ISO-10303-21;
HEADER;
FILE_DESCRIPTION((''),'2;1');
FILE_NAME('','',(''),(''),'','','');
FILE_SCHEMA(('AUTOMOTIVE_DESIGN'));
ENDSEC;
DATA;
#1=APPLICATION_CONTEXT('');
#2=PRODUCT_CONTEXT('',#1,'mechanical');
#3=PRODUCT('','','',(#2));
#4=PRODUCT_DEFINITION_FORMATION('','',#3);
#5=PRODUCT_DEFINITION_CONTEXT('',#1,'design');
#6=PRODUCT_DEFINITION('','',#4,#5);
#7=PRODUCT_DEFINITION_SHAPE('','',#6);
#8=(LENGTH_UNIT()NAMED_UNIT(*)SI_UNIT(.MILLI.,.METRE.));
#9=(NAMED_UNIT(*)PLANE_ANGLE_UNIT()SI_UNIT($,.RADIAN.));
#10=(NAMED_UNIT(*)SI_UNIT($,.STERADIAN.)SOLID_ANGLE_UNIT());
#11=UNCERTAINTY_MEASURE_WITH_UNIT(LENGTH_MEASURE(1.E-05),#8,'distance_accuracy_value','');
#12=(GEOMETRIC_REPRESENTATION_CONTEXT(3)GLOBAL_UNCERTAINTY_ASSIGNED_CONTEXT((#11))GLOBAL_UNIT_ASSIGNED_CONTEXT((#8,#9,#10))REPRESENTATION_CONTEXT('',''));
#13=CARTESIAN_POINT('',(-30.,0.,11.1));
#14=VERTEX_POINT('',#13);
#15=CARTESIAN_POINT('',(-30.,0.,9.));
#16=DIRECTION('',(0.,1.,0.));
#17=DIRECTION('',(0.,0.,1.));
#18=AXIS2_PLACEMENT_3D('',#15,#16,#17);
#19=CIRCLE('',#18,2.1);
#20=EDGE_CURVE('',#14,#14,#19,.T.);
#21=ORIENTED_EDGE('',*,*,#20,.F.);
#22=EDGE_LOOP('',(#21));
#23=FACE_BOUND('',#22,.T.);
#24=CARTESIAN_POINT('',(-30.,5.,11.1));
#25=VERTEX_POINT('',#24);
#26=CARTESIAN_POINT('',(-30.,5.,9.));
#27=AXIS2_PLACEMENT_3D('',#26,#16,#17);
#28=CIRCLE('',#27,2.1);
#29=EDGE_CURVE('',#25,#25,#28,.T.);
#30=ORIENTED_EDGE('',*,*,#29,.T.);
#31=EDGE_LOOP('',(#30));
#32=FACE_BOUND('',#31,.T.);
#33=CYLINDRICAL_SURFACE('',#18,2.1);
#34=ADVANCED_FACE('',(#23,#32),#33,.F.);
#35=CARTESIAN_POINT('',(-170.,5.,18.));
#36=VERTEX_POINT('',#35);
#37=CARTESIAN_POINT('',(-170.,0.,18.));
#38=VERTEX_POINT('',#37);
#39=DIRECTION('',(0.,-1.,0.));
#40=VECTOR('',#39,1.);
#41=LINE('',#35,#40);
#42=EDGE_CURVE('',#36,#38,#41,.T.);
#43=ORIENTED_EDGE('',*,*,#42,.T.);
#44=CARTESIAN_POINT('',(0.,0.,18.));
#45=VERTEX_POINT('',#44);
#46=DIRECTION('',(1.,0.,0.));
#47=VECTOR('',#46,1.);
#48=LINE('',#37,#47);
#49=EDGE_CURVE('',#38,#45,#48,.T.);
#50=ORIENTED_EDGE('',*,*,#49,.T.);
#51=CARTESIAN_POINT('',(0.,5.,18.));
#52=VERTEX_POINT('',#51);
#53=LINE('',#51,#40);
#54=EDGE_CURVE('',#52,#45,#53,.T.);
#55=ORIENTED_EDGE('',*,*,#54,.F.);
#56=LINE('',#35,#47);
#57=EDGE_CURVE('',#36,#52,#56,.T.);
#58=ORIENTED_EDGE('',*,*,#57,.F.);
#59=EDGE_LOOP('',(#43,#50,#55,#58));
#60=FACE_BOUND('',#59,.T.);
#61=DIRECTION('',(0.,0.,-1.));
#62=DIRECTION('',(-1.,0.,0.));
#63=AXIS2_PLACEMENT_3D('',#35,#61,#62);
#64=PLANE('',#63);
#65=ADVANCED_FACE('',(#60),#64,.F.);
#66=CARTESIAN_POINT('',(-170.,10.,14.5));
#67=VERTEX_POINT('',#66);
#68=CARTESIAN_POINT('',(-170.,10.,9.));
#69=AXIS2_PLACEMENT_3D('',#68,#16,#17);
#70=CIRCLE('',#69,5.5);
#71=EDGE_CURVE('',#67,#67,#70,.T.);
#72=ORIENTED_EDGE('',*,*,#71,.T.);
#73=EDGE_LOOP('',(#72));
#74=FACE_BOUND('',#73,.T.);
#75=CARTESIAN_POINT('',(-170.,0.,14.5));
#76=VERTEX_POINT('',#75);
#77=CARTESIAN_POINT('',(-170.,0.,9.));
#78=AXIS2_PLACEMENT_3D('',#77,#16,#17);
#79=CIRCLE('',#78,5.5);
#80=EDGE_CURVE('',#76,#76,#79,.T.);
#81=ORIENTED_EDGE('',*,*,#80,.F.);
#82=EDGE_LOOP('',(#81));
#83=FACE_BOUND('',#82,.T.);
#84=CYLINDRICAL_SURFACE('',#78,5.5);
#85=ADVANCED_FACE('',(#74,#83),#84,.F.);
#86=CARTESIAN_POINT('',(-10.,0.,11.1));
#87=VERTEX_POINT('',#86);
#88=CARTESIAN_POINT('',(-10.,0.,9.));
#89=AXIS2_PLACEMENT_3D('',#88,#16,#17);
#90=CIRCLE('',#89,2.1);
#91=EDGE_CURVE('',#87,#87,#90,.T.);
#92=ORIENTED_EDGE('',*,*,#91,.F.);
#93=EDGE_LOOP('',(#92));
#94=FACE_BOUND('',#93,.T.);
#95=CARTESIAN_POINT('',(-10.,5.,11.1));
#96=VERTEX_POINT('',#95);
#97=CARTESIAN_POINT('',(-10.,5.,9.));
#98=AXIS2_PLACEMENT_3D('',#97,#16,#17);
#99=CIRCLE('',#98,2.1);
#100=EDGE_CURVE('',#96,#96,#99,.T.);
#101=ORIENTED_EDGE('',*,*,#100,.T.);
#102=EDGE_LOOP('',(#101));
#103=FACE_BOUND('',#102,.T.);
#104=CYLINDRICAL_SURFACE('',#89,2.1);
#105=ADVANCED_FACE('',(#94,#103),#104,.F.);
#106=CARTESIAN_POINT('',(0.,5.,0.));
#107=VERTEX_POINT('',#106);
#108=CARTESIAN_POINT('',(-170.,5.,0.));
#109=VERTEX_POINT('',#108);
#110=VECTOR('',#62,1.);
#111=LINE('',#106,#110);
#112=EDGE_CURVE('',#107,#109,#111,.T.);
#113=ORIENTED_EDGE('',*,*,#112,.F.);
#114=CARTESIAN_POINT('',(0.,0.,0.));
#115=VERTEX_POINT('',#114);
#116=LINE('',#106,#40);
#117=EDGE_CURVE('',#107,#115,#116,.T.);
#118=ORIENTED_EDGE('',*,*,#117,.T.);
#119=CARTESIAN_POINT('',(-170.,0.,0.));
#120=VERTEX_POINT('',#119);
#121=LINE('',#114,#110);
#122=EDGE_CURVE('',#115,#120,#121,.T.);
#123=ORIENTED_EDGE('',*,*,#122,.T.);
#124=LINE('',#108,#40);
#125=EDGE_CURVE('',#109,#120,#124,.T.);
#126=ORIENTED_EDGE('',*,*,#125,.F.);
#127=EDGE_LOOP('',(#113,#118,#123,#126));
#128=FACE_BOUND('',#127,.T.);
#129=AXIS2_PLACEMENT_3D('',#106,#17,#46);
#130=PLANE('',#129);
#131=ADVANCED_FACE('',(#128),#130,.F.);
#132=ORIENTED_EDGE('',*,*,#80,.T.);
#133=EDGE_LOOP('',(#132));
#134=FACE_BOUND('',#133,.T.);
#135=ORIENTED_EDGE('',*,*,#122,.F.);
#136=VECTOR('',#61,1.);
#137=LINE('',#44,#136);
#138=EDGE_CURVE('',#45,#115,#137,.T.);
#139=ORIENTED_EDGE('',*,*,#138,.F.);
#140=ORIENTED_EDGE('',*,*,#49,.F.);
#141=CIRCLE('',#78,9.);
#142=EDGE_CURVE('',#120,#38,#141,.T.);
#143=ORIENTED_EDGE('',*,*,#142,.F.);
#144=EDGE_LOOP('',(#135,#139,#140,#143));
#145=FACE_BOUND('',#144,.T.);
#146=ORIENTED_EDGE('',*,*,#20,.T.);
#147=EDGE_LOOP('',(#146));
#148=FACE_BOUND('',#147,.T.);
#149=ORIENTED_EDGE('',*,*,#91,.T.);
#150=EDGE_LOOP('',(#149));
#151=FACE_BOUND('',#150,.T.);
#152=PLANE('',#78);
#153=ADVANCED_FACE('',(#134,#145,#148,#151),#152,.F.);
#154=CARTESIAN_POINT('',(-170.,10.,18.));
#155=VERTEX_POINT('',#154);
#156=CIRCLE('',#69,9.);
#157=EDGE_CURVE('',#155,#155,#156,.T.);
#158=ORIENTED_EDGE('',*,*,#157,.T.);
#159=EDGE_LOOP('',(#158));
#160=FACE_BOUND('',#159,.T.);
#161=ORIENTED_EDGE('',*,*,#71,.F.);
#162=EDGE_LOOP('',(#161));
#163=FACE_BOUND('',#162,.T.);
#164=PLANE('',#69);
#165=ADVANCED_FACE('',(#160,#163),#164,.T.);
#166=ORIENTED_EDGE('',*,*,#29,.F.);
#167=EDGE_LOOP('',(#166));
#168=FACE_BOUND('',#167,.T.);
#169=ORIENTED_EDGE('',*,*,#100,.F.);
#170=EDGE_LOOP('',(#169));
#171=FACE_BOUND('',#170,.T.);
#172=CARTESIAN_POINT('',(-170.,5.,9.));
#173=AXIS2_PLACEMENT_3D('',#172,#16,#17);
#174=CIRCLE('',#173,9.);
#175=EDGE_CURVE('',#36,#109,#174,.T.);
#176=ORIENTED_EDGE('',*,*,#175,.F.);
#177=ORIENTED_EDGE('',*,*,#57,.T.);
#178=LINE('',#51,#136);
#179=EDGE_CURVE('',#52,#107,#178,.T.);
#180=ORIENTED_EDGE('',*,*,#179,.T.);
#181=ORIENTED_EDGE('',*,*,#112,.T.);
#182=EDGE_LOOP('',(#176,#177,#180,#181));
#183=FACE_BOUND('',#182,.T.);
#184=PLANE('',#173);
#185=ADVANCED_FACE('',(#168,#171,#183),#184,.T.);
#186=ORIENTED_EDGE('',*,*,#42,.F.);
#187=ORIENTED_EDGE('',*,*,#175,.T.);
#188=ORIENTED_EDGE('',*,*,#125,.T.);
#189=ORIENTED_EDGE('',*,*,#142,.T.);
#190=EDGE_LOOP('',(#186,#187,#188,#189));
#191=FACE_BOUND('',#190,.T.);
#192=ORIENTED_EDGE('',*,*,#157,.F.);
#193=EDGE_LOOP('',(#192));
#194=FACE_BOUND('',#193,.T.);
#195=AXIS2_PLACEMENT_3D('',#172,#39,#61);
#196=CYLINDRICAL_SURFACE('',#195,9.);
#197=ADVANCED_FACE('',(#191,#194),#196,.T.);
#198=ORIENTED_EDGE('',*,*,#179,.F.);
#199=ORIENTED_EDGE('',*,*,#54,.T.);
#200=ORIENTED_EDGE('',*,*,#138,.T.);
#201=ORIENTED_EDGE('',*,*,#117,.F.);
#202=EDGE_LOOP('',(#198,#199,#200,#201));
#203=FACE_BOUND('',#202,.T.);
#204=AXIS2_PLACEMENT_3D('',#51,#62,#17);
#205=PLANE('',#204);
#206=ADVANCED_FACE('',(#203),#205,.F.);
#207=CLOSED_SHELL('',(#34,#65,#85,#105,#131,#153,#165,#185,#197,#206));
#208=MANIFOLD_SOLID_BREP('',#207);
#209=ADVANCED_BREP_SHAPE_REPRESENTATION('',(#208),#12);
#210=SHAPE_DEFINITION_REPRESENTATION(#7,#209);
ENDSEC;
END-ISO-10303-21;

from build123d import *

# Parameters (mm, degrees)
BOSS_EXTRUDE1_DEPTH = 5
SKETCH2_R           = 9
BOSS_EXTRUDE2_DEPTH = 5
SKETCH3_R           = 5.5
CUT_EXTRUDE1_DEPTH  = 181.18046509
SKETCH4_R           = 2.1
CUT_EXTRUDE2_DEPTH  = 180.972220079


with BuildPart() as part:
    # Sketch1 → Boss-Extrude1 (new body)
    with BuildSketch(Plane(origin=(0, 0, 0), x_dir=(1, 0, 0), z_dir=(0, 1, 0))):
        with BuildLine():
            Line((0, 0), (-170, 0))
            ThreePointArc((-170, 0), (-179, -9), (-170, -18))
            Line((-170, -18), (0, -18))
            Line((0, -18), (0, 0))
        make_face()
    extrude(amount=BOSS_EXTRUDE1_DEPTH)

    # Sketch2 → Boss-Extrude2 (add)
    with BuildSketch(Plane(origin=(0, 5, 0), x_dir=(1, 0, 0), z_dir=(0, 1, 0))):
        with Locations(Location((-170, -9, 0), (0, 0, 270))):
            Circle(SKETCH2_R)
    extrude(amount=BOSS_EXTRUDE2_DEPTH)

    # Sketch3 → Cut-Extrude1 (cut, through all)
    with BuildSketch(Plane(origin=(0, 10, 0), x_dir=(1, 0, 0), z_dir=(0, 1, 0))):
        with Locations(Location((-170, -9, 0), (0, 0, 270))):
            Circle(SKETCH3_R)
    extrude(amount=-CUT_EXTRUDE1_DEPTH, mode=Mode.SUBTRACT)

    # Sketch4 → Cut-Extrude2 (cut, through all)
    with BuildSketch(Plane(origin=(0, 5, 0), x_dir=(1, 0, 0), z_dir=(0, 1, 0))):
        with Locations(Location((-10, -9, 0), (0, 0, 270))):
            Circle(SKETCH4_R)
        with Locations(Location((-30, -9, 0), (0, 0, 270))):
            Circle(SKETCH4_R)
    extrude(amount=-CUT_EXTRUDE2_DEPTH, mode=Mode.SUBTRACT)


solid = part.part
